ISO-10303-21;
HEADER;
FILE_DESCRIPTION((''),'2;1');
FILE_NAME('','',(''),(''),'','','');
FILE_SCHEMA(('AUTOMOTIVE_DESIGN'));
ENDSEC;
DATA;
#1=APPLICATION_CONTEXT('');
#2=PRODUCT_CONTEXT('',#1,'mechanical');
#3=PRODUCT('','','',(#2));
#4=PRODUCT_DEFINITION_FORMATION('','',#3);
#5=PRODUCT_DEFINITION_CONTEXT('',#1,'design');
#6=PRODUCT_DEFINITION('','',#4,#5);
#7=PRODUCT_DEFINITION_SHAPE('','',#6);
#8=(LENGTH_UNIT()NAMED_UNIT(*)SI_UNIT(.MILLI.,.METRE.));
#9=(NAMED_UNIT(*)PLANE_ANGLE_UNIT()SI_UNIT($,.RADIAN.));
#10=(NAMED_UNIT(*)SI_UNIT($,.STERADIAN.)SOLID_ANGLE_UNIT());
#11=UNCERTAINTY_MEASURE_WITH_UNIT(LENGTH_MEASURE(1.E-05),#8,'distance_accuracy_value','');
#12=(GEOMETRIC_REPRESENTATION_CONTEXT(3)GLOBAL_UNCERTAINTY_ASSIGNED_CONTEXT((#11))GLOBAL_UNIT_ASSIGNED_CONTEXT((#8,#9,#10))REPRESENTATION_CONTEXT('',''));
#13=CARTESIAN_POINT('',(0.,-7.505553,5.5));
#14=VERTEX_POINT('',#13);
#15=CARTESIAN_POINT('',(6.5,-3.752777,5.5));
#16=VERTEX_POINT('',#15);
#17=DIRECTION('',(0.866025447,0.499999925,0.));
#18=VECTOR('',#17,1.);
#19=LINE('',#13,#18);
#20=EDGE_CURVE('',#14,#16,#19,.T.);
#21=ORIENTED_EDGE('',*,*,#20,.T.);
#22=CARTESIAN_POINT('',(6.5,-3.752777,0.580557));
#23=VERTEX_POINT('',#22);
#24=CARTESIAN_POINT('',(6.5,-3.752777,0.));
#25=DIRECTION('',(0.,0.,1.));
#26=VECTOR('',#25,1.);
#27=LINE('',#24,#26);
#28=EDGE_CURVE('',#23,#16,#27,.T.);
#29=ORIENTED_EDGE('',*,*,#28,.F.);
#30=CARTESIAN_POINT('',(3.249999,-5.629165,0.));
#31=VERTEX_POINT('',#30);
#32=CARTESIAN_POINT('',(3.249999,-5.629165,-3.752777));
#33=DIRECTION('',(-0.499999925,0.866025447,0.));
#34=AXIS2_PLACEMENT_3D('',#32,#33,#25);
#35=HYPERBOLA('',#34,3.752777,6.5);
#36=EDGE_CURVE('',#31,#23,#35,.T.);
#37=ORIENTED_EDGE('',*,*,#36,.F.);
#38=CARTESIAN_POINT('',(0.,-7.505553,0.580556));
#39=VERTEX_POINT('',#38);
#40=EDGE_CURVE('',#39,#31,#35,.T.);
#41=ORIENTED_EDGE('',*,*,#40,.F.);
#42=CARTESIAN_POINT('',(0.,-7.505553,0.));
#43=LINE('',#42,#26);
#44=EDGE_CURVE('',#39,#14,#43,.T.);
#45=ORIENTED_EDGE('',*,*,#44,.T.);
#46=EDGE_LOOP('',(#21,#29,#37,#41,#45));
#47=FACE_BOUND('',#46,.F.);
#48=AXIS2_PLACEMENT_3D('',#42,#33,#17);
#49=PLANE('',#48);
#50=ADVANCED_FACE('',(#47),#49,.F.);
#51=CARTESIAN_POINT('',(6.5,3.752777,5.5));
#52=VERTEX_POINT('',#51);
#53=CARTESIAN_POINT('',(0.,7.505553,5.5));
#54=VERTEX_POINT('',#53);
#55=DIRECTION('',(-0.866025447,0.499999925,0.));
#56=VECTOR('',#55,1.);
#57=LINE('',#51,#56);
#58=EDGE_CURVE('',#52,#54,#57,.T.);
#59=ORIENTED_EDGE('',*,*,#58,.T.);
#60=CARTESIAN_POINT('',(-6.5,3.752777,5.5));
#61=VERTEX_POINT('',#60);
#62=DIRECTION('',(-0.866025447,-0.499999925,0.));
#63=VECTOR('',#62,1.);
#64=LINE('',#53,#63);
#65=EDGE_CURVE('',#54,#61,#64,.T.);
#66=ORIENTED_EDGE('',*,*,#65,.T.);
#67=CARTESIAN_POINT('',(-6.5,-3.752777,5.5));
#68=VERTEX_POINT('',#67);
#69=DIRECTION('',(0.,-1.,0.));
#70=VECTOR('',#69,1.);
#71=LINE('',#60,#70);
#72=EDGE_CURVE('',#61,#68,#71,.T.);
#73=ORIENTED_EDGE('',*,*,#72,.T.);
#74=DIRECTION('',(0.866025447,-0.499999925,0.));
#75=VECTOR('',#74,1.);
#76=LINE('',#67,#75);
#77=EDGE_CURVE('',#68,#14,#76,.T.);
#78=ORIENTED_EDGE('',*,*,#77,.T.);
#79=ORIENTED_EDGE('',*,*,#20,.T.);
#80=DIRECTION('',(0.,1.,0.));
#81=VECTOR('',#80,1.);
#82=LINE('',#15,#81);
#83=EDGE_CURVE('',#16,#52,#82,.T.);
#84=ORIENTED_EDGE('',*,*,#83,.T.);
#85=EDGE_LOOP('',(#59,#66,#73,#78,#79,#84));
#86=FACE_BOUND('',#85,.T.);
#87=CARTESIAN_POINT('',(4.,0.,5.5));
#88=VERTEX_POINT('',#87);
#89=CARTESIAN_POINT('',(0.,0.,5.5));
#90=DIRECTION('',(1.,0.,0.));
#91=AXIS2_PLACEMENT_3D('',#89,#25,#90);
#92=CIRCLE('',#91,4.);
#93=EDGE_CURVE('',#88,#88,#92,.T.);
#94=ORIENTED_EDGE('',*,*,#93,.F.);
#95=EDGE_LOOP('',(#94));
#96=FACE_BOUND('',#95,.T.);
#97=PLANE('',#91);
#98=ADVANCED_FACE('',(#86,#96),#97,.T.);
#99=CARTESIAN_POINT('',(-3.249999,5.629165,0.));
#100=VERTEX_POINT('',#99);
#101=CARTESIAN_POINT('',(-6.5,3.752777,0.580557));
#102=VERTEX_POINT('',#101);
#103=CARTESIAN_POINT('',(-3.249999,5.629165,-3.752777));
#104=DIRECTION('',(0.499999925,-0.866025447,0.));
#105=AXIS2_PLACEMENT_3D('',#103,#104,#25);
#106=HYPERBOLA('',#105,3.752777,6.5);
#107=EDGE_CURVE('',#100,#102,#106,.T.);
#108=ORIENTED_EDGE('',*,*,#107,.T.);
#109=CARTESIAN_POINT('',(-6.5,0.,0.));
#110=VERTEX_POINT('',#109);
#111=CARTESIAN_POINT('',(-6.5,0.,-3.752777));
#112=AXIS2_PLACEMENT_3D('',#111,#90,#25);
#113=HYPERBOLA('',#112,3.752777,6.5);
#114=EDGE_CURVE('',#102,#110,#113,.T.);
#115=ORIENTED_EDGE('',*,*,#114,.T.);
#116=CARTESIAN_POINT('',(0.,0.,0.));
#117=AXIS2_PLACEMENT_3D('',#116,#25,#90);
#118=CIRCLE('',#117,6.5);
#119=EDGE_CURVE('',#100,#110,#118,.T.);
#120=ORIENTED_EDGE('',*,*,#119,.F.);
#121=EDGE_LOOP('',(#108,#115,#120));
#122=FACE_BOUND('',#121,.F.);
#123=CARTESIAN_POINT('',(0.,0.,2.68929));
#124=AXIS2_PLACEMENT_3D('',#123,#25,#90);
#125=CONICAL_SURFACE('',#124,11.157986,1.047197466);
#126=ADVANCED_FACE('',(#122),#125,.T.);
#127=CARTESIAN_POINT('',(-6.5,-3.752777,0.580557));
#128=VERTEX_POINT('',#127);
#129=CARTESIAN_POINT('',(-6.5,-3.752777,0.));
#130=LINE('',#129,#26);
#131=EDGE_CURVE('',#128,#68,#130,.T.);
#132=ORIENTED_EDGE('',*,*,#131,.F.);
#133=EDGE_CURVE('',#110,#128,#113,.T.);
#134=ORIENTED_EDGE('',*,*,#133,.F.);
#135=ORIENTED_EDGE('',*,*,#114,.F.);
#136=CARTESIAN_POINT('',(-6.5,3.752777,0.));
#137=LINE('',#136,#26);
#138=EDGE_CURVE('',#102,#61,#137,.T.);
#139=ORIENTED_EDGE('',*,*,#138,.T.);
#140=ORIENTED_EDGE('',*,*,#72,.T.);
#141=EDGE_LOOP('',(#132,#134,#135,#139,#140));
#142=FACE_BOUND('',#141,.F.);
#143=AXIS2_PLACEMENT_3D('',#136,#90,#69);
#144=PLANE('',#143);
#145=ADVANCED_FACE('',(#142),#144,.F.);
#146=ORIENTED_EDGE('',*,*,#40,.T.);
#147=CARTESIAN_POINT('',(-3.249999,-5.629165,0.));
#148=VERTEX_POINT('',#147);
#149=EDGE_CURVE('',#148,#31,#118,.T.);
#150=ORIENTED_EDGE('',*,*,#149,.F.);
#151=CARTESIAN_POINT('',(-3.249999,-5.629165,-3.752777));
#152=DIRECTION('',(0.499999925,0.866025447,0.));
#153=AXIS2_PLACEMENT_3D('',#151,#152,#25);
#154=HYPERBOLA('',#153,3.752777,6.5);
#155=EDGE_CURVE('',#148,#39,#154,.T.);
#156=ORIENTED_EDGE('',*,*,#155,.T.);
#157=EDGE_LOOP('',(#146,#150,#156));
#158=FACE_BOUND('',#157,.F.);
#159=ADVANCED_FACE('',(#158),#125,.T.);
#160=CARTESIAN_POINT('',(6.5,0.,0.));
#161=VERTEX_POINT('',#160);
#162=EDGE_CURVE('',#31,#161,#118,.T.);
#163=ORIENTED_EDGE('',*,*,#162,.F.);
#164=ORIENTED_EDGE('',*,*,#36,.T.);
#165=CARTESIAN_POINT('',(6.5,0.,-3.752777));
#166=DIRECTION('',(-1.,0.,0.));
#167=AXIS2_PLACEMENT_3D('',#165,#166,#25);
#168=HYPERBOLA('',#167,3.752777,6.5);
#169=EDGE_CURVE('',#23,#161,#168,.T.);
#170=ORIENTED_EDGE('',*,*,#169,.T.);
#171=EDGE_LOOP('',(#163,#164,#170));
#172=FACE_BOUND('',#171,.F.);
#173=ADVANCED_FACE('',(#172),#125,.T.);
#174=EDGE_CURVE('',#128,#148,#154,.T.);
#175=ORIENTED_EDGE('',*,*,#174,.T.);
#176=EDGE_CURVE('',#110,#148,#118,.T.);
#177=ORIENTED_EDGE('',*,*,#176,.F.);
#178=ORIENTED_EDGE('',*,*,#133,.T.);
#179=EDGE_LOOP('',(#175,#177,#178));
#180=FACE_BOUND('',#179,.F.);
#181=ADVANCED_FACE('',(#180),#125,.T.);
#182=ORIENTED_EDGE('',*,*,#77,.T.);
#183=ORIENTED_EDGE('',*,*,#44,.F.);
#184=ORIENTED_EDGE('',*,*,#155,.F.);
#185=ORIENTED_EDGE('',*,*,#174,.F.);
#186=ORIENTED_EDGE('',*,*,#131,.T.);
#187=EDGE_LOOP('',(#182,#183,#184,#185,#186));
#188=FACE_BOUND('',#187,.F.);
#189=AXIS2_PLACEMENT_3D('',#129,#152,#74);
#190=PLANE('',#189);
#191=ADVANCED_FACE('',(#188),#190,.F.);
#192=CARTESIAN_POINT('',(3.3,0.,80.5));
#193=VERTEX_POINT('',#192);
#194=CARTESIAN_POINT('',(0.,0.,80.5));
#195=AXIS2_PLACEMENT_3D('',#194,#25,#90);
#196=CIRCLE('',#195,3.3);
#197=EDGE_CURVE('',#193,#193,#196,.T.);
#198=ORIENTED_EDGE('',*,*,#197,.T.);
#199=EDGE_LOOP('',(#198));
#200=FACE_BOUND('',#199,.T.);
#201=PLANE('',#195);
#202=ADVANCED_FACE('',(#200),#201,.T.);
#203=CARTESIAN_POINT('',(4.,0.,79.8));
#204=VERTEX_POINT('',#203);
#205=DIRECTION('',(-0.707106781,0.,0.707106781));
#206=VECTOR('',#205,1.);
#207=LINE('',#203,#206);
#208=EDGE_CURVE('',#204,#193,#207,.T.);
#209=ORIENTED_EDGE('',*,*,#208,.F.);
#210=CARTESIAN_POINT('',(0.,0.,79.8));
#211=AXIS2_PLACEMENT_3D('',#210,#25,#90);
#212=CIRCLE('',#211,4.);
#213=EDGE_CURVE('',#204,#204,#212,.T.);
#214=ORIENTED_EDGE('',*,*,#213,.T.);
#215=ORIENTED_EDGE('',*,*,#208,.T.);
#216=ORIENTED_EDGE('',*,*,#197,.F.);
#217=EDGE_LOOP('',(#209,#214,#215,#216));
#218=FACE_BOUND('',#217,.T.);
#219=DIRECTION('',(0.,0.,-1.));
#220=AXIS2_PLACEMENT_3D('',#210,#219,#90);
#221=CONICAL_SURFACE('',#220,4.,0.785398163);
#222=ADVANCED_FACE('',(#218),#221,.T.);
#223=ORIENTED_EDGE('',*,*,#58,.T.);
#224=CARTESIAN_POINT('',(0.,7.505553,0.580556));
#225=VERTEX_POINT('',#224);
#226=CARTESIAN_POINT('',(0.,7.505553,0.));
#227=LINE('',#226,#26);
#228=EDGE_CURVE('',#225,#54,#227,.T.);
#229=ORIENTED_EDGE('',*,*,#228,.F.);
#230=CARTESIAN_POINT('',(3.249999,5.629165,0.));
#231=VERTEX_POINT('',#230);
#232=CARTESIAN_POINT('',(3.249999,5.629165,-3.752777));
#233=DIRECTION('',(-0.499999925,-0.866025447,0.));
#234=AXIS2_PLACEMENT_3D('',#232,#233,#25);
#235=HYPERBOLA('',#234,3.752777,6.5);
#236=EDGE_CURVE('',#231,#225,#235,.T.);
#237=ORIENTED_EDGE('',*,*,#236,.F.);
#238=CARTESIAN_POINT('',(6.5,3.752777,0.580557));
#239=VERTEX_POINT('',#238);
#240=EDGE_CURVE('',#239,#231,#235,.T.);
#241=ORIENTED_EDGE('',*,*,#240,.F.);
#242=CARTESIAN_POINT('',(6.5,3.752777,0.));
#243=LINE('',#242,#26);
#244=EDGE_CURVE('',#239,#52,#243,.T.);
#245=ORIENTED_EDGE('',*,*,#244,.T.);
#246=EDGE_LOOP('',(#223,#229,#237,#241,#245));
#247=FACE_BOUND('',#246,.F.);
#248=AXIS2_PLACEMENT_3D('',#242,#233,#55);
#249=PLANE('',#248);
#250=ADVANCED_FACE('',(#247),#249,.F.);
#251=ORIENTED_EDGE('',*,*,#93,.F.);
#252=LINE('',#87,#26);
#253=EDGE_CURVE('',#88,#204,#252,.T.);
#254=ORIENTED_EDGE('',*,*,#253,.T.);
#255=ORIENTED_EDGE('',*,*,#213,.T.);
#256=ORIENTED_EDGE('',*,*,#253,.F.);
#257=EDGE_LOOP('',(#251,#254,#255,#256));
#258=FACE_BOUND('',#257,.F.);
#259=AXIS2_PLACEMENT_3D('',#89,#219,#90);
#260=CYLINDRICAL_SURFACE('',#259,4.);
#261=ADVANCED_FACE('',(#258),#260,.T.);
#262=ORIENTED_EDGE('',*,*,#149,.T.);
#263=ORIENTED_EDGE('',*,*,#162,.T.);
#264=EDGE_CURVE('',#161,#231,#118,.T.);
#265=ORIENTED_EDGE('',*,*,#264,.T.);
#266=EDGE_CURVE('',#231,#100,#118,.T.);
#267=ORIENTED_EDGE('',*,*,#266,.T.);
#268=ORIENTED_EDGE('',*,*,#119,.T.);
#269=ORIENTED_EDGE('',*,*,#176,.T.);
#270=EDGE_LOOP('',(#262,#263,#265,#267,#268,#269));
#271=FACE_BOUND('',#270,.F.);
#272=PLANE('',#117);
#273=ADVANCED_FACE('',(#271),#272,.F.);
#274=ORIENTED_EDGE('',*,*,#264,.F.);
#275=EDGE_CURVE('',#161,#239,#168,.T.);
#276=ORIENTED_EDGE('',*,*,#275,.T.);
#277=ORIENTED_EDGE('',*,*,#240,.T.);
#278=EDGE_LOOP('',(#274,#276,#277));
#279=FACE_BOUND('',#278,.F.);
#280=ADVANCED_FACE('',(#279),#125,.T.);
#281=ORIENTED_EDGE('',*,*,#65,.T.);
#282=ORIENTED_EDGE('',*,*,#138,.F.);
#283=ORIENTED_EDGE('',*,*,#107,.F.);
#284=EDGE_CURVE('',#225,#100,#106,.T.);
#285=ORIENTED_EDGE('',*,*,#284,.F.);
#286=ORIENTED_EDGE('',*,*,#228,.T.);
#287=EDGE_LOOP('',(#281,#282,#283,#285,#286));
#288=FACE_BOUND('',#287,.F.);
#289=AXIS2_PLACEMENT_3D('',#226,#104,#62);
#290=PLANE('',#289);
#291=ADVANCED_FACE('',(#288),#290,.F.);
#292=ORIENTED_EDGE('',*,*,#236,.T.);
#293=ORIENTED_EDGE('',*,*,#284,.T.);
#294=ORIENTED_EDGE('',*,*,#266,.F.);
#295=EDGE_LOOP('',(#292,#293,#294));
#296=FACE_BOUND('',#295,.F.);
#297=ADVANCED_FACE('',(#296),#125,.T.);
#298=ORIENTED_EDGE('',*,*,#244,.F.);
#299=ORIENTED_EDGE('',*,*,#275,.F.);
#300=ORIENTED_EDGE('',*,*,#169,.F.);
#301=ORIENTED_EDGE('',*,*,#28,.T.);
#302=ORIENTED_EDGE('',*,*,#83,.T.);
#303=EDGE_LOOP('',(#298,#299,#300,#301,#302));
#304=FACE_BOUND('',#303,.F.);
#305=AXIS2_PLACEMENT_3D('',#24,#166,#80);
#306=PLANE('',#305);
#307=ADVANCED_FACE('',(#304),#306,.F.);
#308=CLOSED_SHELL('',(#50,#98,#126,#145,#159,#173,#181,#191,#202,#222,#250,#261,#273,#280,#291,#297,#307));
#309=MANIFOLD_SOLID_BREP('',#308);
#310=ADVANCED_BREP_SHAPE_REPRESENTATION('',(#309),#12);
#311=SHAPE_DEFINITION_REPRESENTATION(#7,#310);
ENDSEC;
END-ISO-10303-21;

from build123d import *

# Parameters (mm, degrees)
F1_DEPTH = 5.5
F2_R     = 4
F3_DEPTH = 75
F6_SIZE  = 0.7


with BuildPart() as f1:
    # F0 (on Top) → F1 (new body)
    with BuildSketch(Plane.XY):
        Polygon((0, -7.505553), (6.5, -3.752777), (6.5, 3.752777), (0, 7.505553), (-6.5, 3.752777), (-6.5, -3.752777), align=None)
    extrude(amount=F1_DEPTH)

    # F2 (on face) → F3 (join)
    with BuildSketch(Plane.XY.offset(5.5)):
        Circle(F2_R)
    extrude(amount=F3_DEPTH)

    # F4 (on Front) → F5 (revolve, cut)
    with BuildSketch(Plane.XZ):
        Polygon((11.157986, 2.68929), (6.5, 0), (11.157986, 0), align=None)
    revolve(axis=Axis((0, 0, 4.89242), (0, 0, 1)), mode=Mode.SUBTRACT)

    # F6
    f6_edges = [f1.edges().sort_by_distance(p)[0] for p in [
        (-4, 0, 80.5),
    ]]
    chamfer(f6_edges, length=F6_SIZE)


solid = f1.part
